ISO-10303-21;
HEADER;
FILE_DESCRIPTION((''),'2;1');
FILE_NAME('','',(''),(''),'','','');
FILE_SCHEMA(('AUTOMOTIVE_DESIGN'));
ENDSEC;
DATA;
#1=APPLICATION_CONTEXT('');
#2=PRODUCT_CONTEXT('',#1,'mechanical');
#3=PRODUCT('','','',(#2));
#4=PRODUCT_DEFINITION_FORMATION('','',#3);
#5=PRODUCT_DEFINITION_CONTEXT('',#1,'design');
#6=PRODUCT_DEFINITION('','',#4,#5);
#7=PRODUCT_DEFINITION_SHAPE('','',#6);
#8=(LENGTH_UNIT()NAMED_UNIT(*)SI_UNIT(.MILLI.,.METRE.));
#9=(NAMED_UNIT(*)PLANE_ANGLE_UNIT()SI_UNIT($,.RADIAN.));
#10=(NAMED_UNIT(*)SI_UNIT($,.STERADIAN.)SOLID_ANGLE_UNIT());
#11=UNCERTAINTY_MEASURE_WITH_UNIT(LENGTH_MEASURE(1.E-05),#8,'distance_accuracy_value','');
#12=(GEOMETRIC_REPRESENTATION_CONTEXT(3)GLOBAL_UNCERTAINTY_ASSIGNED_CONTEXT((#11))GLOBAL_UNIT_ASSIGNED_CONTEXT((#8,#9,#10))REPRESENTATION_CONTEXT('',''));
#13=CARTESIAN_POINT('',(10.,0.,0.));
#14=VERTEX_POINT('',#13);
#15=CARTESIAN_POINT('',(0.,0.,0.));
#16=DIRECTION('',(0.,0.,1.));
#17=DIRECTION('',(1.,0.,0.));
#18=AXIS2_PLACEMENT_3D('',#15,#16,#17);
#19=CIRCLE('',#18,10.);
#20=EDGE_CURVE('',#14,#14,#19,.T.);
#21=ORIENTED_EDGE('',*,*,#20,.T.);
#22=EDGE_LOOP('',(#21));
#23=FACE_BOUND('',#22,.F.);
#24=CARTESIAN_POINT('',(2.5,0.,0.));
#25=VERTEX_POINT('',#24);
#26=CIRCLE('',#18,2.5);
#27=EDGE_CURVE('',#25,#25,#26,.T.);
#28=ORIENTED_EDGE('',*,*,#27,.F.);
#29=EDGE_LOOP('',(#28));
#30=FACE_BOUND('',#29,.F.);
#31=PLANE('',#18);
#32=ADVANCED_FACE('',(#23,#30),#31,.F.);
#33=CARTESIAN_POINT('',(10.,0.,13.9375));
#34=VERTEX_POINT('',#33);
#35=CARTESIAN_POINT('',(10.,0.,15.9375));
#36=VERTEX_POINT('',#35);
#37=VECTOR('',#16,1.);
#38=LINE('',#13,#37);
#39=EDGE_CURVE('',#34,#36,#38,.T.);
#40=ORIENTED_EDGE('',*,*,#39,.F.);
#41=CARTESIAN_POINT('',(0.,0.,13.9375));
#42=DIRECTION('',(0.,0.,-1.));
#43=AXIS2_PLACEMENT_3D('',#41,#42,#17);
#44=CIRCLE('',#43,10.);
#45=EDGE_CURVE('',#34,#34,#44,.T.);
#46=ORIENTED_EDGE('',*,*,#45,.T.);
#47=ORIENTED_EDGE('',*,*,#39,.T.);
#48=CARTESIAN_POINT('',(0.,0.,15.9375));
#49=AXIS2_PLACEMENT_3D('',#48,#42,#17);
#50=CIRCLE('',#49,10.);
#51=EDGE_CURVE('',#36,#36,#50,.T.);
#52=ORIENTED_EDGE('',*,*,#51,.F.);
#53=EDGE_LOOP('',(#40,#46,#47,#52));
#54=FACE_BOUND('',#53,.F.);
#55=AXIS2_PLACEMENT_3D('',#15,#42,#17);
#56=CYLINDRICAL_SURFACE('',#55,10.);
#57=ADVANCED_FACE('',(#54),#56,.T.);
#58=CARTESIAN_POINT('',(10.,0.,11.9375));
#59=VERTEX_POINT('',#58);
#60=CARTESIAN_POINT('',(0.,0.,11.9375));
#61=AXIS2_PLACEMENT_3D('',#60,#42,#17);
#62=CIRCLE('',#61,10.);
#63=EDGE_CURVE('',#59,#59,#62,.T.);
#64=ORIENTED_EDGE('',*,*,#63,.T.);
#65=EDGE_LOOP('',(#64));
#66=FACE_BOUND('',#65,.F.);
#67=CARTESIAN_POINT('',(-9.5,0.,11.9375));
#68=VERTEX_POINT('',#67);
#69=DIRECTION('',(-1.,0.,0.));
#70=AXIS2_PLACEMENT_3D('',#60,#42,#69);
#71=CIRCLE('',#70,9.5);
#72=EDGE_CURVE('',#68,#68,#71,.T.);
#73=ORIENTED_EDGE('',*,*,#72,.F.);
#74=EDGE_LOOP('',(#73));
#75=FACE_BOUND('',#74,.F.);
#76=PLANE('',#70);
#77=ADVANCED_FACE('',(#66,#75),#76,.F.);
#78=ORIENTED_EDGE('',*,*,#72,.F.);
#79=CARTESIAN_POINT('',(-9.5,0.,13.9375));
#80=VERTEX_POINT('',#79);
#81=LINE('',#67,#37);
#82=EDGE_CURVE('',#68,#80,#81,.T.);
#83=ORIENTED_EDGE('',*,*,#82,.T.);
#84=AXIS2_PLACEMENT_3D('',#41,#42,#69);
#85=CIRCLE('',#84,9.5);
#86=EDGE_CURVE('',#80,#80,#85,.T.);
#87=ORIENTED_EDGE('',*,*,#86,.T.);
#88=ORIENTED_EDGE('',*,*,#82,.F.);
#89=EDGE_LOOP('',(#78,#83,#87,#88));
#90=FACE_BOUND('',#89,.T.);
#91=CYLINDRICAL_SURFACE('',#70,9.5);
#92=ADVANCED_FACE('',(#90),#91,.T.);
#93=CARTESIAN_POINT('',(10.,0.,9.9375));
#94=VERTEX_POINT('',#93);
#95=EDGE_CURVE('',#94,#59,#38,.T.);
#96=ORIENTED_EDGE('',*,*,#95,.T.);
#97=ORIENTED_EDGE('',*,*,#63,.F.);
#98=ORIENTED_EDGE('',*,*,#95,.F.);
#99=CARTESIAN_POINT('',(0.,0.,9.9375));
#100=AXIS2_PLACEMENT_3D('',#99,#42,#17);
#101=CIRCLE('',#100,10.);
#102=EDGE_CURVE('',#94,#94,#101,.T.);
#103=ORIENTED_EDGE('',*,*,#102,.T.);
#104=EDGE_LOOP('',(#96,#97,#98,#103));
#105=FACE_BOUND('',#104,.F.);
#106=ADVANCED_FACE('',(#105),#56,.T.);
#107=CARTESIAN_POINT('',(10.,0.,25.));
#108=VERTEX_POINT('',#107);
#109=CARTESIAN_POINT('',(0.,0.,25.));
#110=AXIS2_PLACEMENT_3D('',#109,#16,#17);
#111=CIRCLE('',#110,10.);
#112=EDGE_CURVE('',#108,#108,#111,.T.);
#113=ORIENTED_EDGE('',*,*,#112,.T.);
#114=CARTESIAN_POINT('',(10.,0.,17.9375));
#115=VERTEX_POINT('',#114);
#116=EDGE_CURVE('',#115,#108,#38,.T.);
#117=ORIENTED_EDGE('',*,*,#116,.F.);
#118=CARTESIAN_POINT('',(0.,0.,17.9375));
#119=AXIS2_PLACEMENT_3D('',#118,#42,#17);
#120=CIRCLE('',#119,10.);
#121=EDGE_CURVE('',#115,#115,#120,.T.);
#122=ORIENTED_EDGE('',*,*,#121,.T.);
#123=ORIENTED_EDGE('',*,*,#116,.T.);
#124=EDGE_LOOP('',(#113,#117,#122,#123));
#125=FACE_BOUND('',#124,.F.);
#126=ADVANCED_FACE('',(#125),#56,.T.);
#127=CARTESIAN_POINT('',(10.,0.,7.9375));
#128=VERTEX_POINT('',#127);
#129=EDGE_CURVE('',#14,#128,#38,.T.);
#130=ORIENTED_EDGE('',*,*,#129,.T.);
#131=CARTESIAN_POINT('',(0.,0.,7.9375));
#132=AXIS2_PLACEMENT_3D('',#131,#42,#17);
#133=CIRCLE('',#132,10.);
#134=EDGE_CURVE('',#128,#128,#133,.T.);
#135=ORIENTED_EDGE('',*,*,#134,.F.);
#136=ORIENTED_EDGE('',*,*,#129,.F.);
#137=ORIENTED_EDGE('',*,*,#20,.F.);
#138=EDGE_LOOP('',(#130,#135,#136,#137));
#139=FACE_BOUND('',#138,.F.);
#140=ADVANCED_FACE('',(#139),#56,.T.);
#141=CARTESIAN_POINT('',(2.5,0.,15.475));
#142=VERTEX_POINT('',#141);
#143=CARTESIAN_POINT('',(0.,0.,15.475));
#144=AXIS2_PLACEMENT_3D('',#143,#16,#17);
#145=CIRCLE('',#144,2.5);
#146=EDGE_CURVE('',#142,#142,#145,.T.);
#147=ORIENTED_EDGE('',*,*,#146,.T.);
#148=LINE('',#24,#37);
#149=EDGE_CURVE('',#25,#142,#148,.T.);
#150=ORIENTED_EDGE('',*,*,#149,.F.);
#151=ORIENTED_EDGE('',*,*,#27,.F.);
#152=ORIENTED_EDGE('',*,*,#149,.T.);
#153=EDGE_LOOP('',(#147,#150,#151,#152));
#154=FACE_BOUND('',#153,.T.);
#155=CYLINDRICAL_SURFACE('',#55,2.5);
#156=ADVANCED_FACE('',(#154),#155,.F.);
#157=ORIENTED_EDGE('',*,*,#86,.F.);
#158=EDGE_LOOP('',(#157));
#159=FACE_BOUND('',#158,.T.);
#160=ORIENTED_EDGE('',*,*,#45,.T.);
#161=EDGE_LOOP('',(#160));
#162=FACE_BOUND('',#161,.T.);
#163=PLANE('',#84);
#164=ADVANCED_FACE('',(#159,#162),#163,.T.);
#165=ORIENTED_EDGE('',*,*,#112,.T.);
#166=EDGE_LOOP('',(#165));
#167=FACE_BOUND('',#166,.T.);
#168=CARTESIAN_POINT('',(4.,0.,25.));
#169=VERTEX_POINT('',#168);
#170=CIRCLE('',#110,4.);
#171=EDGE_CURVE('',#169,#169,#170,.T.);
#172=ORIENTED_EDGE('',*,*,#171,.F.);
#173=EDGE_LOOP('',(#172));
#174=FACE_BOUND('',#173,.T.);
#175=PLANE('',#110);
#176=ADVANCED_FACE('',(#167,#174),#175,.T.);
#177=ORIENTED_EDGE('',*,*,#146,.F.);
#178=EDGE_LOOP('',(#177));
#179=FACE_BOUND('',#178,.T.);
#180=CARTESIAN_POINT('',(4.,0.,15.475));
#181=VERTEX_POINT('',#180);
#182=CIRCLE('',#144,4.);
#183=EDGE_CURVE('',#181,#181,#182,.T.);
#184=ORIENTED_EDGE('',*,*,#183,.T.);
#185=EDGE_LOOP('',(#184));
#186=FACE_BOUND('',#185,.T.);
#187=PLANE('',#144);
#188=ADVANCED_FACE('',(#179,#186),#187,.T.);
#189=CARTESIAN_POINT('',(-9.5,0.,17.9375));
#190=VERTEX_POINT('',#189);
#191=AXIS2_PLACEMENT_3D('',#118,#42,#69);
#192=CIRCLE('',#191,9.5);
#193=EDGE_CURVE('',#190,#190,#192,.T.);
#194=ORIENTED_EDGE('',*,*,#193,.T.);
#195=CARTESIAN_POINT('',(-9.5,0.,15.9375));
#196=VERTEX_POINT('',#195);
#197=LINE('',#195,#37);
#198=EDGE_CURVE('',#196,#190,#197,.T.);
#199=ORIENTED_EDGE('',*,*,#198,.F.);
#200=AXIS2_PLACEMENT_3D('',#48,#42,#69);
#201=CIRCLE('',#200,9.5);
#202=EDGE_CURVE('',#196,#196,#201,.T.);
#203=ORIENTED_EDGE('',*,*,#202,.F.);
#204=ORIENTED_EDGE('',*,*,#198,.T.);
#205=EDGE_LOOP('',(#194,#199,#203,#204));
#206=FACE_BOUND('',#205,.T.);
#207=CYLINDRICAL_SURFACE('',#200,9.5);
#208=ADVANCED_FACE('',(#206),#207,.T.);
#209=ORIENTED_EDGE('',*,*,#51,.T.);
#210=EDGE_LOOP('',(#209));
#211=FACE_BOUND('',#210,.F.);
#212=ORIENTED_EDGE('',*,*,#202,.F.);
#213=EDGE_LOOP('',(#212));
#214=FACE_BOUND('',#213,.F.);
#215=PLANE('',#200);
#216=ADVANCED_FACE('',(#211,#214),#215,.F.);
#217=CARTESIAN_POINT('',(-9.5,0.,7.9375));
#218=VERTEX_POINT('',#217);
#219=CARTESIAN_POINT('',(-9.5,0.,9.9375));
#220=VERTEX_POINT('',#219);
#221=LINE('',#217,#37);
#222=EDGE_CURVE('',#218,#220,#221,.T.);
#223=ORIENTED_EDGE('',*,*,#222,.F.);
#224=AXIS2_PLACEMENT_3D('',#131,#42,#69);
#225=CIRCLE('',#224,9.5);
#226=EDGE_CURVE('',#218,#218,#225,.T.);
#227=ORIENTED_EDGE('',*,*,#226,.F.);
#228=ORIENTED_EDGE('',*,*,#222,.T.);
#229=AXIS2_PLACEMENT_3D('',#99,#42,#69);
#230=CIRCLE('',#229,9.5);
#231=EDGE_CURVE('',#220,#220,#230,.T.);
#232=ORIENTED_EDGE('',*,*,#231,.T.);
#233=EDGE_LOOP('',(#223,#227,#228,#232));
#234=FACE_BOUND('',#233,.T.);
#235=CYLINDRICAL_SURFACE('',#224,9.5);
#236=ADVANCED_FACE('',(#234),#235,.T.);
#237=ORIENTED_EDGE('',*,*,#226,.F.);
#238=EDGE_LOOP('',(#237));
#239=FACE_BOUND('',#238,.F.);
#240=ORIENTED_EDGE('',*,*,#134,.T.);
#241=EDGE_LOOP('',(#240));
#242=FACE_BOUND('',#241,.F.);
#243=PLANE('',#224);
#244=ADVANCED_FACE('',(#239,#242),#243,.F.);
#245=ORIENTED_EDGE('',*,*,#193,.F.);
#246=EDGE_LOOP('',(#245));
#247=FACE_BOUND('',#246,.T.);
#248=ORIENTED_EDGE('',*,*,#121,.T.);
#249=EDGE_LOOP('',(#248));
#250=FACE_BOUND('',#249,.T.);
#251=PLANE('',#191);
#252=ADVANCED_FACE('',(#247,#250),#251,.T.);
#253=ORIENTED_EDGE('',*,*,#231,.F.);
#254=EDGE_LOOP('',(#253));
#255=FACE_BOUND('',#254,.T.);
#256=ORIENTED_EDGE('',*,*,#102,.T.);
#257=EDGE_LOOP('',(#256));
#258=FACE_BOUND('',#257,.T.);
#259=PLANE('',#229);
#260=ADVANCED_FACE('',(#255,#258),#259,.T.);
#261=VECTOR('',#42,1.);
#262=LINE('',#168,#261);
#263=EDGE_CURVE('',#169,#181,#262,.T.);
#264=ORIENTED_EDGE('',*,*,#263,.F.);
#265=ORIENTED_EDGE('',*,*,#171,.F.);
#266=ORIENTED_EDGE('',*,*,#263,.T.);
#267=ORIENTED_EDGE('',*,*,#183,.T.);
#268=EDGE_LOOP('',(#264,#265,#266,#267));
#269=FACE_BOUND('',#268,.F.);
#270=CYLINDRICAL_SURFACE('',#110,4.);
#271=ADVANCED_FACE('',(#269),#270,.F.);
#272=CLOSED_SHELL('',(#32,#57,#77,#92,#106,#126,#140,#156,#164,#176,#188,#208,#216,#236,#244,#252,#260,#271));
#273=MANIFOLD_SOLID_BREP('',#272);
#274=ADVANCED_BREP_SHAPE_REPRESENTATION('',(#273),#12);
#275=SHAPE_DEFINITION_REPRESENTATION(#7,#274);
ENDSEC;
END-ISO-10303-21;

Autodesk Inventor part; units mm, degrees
ref_plane "YZ Plane" through (0, 0, 0) normal (1, 0, 0) x (0, 1, 0)
ref_plane "XZ Plane" through (0, 0, 0) normal (0, 1, 0) x (-1, 0, 0)
sketch "Sketch1" plane through (0, 0, 0) normal (0, 0, 1) x (1, 0, 0)
  circle A0 centre (0, 0) radius 2.5
  circle A1 centre (0, 0) radius 10
  dimension "d0" = 5
  dimension "d1" = 20
extrude "Extrusion1" add sketch "Sketch1" along normal blind 25
sketch "Sketch2" plane through (0, 0, 25) normal (0, 0, 1) x (1, 0, 0)
  circle A0 centre (0, 0) radius 2.5 projected
  circle A1 centre (0, 0) radius 10 projected
  circle A2 centre (0, 0) radius 4
  dimension "d4" = 8
extrude "Extrusion2" cut sketch "Sketch2" against normal blind 9.525 contours A2
ref_plane "Work Plane2" through (0, 0, 7.9375) normal (0, 0, -1) x (-1, 0, 0)
sketch "Sketch6" plane through (0, 0, 7.9375) normal (0, 0, -1) x (-1, 0, 0)
  circle A0 centre (0, 0) radius 11
  circle A1 centre (0, 0) radius 9.5
  dimension "d11" = 22
  dimension "d14" = 19
extrude "Extrusion5" cut sketch "Sketch6" against normal blind 2
pattern_linear "Rectangular Pattern1" count 3 spacing 4 along (0, 0, 1) of "Extrusion5"
properties part number "SM-H12"
